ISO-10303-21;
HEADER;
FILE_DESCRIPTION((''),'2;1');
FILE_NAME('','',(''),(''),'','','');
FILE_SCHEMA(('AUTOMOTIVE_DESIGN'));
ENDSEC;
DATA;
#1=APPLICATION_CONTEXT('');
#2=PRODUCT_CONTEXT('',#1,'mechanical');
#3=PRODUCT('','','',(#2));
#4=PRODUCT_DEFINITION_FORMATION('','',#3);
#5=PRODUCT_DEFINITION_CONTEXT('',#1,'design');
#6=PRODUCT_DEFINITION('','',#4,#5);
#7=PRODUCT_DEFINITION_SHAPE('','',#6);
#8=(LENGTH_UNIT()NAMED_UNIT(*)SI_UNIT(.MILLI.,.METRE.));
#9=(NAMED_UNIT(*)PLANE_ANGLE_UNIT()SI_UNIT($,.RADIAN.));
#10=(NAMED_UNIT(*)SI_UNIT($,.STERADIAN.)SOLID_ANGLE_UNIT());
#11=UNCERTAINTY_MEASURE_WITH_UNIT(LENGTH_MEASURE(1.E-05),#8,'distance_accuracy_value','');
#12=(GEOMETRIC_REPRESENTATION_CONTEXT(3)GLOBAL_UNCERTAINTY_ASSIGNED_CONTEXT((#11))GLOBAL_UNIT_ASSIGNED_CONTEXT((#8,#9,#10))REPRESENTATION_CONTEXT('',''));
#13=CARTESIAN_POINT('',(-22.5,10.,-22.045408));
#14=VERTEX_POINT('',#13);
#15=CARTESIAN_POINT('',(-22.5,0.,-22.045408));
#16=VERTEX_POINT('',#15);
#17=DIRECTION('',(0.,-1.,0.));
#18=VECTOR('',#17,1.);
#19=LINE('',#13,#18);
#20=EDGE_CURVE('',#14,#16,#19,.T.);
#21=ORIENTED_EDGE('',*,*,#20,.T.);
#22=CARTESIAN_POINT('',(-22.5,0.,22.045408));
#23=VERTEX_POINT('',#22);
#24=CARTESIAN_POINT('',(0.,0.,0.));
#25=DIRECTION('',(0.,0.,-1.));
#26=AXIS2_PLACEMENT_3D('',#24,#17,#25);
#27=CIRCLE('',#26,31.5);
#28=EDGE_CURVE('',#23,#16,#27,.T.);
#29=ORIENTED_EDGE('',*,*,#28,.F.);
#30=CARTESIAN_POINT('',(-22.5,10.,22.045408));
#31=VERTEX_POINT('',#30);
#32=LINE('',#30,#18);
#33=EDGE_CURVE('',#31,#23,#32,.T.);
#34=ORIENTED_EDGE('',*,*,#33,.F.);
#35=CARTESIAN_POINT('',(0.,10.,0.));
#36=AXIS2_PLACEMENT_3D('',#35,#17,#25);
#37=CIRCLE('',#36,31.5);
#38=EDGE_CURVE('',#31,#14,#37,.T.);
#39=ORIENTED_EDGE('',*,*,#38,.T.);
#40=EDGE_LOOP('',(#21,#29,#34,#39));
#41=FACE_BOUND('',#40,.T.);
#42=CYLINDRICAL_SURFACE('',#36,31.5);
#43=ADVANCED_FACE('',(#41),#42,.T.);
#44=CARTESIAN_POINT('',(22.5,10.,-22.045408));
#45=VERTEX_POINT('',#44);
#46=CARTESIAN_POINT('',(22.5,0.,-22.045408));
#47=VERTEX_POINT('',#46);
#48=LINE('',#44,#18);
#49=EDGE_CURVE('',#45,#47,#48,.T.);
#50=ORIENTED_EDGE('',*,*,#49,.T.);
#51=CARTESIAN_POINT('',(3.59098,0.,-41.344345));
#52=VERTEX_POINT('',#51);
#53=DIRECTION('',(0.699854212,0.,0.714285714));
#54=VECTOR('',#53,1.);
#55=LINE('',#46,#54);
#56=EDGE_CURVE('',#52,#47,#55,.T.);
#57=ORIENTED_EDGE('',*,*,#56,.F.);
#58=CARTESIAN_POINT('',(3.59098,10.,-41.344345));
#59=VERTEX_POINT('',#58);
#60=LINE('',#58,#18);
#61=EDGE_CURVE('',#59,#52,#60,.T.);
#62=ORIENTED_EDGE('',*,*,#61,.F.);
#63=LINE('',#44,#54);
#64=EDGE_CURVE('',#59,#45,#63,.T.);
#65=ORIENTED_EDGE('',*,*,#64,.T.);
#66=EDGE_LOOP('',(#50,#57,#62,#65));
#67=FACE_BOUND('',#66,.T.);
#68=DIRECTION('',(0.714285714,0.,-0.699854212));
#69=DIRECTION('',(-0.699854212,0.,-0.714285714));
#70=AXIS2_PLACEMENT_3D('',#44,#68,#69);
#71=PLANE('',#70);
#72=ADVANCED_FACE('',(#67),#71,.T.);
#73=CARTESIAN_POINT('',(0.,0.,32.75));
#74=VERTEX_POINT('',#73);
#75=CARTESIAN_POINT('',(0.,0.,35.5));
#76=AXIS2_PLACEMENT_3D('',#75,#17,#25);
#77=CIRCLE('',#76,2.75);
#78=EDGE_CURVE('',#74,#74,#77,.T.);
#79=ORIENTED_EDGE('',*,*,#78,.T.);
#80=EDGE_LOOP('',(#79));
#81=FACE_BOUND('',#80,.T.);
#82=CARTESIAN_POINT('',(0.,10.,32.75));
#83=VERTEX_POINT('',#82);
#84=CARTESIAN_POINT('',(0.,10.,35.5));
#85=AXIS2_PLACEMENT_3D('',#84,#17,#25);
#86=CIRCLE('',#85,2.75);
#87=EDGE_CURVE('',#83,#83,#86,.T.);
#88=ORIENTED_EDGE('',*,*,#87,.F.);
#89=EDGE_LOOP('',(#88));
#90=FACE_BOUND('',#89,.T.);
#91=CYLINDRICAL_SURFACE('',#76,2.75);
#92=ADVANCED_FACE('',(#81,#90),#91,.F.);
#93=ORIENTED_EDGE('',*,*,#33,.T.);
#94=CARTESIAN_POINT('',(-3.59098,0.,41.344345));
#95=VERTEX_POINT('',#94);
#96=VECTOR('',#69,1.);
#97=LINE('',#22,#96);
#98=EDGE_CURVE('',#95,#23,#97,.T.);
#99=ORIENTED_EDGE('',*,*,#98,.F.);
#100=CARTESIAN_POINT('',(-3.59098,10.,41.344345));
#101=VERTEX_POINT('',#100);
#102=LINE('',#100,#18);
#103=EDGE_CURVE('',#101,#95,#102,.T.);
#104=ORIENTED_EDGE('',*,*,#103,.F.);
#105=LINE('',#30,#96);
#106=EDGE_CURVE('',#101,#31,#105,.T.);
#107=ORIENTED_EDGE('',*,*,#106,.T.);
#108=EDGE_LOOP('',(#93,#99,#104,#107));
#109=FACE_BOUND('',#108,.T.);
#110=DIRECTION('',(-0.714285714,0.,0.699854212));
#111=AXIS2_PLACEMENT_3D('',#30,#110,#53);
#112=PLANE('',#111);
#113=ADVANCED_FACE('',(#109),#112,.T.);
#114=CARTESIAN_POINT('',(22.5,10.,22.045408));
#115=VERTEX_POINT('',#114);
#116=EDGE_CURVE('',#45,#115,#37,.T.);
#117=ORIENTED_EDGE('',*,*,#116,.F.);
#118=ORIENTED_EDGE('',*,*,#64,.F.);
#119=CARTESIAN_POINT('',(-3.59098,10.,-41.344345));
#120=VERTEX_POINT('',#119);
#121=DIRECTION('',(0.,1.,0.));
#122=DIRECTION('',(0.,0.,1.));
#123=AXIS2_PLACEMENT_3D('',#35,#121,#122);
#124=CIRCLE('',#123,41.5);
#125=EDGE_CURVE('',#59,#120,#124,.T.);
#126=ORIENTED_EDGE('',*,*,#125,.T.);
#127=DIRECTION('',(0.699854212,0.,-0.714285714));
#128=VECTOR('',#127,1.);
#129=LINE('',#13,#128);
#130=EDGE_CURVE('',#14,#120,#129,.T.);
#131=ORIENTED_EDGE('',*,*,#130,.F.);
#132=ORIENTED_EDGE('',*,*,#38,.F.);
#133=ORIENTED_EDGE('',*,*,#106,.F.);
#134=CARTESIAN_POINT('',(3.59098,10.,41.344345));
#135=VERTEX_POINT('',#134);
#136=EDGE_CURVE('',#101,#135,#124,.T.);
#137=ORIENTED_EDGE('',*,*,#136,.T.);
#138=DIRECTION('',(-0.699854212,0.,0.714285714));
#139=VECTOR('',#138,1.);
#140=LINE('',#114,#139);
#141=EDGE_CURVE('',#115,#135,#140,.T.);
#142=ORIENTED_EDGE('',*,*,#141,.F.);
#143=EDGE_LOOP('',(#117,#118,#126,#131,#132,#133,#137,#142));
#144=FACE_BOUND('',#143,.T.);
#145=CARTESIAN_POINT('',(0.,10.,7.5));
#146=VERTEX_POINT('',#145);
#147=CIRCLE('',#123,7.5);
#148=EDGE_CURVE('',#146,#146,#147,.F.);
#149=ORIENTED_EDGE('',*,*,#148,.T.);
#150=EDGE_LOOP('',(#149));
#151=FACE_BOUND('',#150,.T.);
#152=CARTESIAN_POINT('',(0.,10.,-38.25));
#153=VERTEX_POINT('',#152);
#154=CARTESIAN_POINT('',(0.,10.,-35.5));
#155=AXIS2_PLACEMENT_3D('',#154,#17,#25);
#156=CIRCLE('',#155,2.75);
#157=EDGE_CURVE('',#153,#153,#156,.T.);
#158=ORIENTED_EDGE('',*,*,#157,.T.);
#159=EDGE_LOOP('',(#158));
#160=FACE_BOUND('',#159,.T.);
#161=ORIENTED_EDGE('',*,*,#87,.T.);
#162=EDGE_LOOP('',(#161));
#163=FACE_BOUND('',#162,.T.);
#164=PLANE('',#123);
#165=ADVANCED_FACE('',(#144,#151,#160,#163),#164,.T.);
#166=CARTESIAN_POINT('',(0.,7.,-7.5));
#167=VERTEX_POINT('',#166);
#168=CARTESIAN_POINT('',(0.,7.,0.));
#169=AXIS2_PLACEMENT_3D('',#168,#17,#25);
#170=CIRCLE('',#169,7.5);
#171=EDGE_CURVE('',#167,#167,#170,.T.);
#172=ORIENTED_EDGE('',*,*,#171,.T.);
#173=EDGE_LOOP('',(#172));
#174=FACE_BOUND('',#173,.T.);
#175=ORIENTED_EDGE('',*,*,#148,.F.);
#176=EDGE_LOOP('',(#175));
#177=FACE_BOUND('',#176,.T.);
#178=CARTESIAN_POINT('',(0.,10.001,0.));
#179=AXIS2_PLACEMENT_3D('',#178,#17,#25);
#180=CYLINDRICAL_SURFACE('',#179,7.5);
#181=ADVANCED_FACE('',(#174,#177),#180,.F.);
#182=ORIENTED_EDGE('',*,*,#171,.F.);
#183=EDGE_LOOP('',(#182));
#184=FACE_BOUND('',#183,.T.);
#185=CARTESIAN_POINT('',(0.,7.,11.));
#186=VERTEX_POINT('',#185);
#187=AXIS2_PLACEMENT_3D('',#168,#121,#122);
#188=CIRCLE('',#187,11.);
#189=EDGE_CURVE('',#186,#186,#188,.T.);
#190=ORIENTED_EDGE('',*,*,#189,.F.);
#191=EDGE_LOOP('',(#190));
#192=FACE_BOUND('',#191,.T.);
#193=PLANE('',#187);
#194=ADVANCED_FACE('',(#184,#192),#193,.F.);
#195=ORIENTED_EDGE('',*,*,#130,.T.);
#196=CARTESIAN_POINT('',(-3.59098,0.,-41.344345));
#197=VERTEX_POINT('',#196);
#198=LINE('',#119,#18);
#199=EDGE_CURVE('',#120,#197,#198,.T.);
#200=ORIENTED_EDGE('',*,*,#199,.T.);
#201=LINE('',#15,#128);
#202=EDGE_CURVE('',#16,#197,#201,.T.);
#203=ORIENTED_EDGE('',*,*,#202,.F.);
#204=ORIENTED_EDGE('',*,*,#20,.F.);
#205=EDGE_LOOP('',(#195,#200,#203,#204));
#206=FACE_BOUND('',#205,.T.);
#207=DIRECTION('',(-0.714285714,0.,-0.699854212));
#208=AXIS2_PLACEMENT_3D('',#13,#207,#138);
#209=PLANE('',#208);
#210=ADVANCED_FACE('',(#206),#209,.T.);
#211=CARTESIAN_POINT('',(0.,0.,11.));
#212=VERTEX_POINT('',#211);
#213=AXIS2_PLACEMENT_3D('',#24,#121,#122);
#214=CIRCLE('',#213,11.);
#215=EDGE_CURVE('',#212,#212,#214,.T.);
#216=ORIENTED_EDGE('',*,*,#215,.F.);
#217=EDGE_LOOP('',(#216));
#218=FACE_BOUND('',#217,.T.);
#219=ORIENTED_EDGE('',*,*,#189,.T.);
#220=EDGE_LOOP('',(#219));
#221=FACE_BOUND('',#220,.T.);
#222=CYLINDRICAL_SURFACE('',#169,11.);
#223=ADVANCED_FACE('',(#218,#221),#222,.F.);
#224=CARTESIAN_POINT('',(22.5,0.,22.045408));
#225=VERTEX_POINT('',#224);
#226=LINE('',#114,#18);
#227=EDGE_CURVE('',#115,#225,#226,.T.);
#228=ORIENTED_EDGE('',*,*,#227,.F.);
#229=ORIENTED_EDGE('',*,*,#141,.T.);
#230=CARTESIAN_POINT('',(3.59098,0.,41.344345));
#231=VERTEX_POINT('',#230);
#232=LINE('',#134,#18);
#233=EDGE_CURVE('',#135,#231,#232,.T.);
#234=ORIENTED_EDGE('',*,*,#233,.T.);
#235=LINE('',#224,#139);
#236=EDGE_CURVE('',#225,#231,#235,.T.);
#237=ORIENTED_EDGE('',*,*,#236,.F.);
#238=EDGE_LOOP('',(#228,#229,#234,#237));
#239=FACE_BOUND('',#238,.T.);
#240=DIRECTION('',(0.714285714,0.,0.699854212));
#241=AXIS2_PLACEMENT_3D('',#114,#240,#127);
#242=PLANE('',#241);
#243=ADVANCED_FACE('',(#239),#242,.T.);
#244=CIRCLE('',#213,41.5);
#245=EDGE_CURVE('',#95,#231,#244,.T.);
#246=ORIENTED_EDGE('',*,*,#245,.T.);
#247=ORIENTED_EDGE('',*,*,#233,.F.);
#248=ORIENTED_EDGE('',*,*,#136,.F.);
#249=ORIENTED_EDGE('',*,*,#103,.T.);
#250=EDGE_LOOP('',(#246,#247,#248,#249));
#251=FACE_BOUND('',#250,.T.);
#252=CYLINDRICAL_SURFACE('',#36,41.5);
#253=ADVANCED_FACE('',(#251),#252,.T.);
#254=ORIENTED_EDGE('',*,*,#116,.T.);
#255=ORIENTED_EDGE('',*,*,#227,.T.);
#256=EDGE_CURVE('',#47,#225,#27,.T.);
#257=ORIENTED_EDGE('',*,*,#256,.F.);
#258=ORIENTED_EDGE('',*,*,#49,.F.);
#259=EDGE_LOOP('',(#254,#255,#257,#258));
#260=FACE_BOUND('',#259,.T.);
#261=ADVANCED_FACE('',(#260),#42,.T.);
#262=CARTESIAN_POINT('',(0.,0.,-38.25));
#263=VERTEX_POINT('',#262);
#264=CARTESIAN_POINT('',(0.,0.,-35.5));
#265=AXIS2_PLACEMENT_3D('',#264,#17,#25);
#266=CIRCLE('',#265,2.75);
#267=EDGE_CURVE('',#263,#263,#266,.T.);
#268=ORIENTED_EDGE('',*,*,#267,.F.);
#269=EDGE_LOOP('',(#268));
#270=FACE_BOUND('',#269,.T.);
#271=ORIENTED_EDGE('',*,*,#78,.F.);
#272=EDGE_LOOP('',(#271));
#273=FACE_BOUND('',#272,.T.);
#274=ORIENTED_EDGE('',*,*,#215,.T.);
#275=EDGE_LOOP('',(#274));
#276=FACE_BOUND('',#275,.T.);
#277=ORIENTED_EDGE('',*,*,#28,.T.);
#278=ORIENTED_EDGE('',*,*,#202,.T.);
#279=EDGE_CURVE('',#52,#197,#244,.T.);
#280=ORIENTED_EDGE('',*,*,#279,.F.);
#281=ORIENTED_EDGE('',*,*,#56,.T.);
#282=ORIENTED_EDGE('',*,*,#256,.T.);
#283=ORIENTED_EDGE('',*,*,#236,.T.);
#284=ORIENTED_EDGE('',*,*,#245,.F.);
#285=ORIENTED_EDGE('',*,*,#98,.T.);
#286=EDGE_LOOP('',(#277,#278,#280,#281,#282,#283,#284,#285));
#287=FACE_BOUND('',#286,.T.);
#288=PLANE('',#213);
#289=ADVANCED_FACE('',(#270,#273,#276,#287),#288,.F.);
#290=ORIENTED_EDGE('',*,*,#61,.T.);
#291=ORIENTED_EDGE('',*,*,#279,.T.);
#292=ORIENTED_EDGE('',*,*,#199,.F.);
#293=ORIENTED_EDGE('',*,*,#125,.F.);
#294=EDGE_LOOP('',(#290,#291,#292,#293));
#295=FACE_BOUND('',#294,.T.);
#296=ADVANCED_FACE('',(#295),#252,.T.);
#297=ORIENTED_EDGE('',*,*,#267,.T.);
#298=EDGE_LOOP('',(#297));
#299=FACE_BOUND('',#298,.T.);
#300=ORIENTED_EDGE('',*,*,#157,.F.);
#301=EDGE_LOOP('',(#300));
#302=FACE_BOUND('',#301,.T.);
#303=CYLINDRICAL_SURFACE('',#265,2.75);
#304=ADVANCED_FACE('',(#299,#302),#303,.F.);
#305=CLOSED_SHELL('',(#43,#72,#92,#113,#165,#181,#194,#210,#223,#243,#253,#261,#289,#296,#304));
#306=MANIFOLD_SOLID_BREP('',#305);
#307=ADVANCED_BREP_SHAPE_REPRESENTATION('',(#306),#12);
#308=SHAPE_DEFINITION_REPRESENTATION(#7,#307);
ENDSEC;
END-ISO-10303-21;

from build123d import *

# Parameters (mm, degrees)
SKETCH1_R            = 41.5
BOSS_EXTRUDE1_DEPTH  = 10
SKETCH2_OUTSIDE_W    = 108.56
SKETCH2_OUTSIDE_H    = 108.56
CUT_EXTRUDE1_DEPTH   = 10
SKETCH3_R            = 11
CUT_EXTRUDE2_DEPTH   = 7
CUT_EXTRUDE3_REACH   = 54.569
SKETCH4_R            = 7.5
M5_CLEARANCE_HOLE1_D = 5.5


with BuildPart() as part:
    # Sketch1 → Boss-Extrude1 (new body)
    with BuildSketch(Plane(origin=(0, 0, 0), x_dir=(1, 0, 0), z_dir=(0, 1, 0))):
        with Locations(Location((0, 0, 0), (0, 0, 270))):
            Circle(SKETCH1_R)
    extrude(amount=BOSS_EXTRUDE1_DEPTH)

    # Sketch2 outside → Cut-Extrude1 (cut)
    with BuildSketch(Plane.XZ):
        Rectangle(SKETCH2_OUTSIDE_W, SKETCH2_OUTSIDE_H)
        with BuildLine():
            Line((-22.5, 22.045407685), (-3.590980448, 41.344344951))
            ThreePointArc((-3.590980448, 41.344344951), (0, 41.5), (3.590980448, 41.344344951))
            Line((3.590980448, 41.344344951), (22.5, 22.045407685))
            ThreePointArc((22.5, 22.045407685), (31.5, 0), (22.5, -22.045407685))
            Line((22.5, -22.045407685), (3.590980448, -41.344344951))
            ThreePointArc((3.590980448, -41.344344951), (0, -41.5), (-3.590980448, -41.344344951))
            Line((-3.590980448, -41.344344951), (-22.5, -22.045407685))
            ThreePointArc((-22.5, -22.045407685), (-31.5, 0), (-22.5, 22.045407685))
        make_face(mode=Mode.SUBTRACT)
    extrude(amount=-CUT_EXTRUDE1_DEPTH, mode=Mode.SUBTRACT)

    # Sketch3 → Cut-Extrude2 (cut)
    with BuildSketch(Plane(origin=(0, 0, 0), x_dir=(1, 0, 0), z_dir=(0, 1, 0))):
        with Locations(Location((0, 0, 0), (0, 0, 270))):
            Circle(SKETCH3_R)
    extrude(amount=CUT_EXTRUDE2_DEPTH, mode=Mode.SUBTRACT)

    # Sketch4 → Cut-Extrude3 (cut, up to next)
    with BuildSketch(Plane.XZ.offset(-7), mode=Mode.PRIVATE) as cut_extrude3_sk1:
        with Locations(Location((0, 0, 0), (0, 0, 270))):
            Circle(SKETCH4_R)
    cut_extrude3_tool1 = extrude(cut_extrude3_sk1.sketch, amount=-CUT_EXTRUDE3_REACH, mode=Mode.PRIVATE) & part.part
    add(cut_extrude3_tool1.solids().sort_by_distance((0, 7, 0))[0], mode=Mode.SUBTRACT)

    # M5 Clearance Hole1 (through all)
    with Locations(Plane(origin=(0, 0, 0), x_dir=(-1, 0, 0), z_dir=(0, -1, 0))):
        with Locations((0, 35.5), (0, -35.5)):
            Hole(M5_CLEARANCE_HOLE1_D / 2)


solid = part.part
